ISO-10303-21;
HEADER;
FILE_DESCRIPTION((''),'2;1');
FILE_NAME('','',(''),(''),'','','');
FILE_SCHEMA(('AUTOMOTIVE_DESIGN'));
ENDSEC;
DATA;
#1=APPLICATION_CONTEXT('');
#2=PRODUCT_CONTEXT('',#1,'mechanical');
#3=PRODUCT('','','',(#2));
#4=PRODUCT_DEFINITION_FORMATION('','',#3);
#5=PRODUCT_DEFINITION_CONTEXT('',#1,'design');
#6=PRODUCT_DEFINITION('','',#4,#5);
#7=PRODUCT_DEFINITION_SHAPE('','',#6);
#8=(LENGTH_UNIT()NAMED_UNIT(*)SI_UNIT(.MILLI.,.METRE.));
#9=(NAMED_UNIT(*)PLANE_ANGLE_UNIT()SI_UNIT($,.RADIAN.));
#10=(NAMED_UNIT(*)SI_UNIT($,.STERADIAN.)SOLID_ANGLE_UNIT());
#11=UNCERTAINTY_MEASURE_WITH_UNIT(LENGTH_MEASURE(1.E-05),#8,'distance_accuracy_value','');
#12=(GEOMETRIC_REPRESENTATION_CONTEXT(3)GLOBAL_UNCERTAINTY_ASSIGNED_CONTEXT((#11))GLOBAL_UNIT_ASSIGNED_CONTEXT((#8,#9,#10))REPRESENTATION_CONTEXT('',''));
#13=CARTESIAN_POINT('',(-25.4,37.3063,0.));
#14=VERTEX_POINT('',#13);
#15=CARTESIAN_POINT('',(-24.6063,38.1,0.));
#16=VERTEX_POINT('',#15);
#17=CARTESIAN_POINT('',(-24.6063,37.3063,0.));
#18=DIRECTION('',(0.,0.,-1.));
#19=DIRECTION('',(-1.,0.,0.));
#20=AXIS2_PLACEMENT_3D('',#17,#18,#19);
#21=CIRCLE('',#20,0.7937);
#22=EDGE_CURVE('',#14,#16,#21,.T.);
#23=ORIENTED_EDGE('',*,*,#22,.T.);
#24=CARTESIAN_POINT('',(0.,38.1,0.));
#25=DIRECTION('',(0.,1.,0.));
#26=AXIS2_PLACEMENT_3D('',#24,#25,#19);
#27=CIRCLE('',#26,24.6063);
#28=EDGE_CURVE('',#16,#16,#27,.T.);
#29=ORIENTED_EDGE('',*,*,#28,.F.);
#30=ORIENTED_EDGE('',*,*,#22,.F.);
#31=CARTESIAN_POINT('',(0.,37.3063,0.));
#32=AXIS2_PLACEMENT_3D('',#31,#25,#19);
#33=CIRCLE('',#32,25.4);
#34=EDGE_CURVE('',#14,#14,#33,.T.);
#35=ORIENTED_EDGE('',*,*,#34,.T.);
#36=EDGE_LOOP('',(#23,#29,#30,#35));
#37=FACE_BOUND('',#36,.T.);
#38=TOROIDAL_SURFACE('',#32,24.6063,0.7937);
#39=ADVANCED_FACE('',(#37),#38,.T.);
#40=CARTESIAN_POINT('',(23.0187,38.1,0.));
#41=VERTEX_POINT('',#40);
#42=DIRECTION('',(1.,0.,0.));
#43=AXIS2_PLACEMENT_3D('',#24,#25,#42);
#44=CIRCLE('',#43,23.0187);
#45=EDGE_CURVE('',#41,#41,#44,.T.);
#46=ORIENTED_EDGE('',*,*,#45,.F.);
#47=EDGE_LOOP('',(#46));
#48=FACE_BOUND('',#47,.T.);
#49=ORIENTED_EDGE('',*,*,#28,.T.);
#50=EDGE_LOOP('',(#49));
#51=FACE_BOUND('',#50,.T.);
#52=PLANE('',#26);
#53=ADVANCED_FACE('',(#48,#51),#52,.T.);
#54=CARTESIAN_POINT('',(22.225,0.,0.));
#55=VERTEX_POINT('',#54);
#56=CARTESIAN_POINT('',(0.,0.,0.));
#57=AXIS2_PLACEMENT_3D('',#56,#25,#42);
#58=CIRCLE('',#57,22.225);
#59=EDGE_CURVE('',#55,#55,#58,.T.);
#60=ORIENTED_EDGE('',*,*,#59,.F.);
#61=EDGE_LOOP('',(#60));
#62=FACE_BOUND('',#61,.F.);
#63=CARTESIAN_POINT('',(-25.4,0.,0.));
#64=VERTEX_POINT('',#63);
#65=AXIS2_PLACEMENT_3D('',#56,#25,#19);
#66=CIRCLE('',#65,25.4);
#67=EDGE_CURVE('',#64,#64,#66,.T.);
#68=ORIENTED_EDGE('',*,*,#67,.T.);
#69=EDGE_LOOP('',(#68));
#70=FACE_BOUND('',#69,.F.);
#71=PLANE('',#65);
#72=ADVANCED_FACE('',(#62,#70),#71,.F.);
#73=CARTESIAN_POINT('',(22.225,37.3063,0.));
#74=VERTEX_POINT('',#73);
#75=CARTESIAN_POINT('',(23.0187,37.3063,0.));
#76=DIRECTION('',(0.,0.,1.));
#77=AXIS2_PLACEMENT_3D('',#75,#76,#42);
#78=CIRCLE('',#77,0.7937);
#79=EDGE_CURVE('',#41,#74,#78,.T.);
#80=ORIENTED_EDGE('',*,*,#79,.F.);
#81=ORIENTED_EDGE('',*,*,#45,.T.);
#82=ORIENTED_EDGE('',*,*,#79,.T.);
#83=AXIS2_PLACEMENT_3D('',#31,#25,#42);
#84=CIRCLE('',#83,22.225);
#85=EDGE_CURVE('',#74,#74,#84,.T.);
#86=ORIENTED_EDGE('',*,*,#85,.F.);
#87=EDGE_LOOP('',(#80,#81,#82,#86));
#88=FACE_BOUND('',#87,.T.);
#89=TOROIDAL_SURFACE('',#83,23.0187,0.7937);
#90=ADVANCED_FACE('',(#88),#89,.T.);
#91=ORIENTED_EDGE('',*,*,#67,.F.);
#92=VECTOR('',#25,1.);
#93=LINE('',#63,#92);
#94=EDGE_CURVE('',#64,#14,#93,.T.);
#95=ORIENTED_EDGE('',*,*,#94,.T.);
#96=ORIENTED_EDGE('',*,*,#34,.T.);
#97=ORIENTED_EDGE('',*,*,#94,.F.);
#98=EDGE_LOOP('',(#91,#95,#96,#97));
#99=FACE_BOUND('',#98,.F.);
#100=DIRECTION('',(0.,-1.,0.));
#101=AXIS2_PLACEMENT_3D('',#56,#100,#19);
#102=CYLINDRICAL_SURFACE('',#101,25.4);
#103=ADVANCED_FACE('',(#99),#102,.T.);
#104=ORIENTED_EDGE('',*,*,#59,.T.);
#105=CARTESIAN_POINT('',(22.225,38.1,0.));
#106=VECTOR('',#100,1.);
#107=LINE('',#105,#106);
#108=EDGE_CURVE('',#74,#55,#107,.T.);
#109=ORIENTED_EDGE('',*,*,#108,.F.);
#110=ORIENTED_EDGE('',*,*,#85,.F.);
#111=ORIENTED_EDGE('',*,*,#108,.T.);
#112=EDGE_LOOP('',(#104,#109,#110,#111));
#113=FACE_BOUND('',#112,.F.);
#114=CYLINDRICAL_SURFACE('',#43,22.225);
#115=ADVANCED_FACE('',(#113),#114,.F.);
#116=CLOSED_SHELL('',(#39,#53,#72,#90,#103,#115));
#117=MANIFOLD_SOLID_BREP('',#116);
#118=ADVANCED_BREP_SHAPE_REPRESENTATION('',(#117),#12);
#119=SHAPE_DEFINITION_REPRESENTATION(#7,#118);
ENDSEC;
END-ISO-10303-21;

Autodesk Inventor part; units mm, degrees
ref_plane "YZ Plane" through (0, 0, 0) normal (1, 0, 0) x (0, 1, 0)
ref_plane "XZ Plane" through (0, 0, 0) normal (0, 1, 0) x (-1, 0, 0)
ref_plane "XY Plane" through (0, 0, 0) normal (0, 0, 1) x (1, 0, 0)
sketch "Sketch1" plane through (0, 0, 0) normal (0, 1, 0) x (-1, 0, 0)
  circle A0 centre (0, 0) radius 25.4
  dimension "d0" = 50.8
extrude "Extrusion1" add sketch "Sketch1" along normal blind 38.1
sketch "Sketch5" plane through (0, 38.1, 0) normal (0, 1, 0) x (1, 0, 0)
  circle A0 centre (0, 0) radius 22.225
  dimension "d32" = 44.45
extrude "Extrusion4" cut sketch "Sketch5" against normal through all
fillet "Fillet1" radius 0.7937 2 edges at (-22.225, 38.1, 0) (25.4, 38.1, 0)
properties part number "WL-0012" material "Aluminum 6061"
